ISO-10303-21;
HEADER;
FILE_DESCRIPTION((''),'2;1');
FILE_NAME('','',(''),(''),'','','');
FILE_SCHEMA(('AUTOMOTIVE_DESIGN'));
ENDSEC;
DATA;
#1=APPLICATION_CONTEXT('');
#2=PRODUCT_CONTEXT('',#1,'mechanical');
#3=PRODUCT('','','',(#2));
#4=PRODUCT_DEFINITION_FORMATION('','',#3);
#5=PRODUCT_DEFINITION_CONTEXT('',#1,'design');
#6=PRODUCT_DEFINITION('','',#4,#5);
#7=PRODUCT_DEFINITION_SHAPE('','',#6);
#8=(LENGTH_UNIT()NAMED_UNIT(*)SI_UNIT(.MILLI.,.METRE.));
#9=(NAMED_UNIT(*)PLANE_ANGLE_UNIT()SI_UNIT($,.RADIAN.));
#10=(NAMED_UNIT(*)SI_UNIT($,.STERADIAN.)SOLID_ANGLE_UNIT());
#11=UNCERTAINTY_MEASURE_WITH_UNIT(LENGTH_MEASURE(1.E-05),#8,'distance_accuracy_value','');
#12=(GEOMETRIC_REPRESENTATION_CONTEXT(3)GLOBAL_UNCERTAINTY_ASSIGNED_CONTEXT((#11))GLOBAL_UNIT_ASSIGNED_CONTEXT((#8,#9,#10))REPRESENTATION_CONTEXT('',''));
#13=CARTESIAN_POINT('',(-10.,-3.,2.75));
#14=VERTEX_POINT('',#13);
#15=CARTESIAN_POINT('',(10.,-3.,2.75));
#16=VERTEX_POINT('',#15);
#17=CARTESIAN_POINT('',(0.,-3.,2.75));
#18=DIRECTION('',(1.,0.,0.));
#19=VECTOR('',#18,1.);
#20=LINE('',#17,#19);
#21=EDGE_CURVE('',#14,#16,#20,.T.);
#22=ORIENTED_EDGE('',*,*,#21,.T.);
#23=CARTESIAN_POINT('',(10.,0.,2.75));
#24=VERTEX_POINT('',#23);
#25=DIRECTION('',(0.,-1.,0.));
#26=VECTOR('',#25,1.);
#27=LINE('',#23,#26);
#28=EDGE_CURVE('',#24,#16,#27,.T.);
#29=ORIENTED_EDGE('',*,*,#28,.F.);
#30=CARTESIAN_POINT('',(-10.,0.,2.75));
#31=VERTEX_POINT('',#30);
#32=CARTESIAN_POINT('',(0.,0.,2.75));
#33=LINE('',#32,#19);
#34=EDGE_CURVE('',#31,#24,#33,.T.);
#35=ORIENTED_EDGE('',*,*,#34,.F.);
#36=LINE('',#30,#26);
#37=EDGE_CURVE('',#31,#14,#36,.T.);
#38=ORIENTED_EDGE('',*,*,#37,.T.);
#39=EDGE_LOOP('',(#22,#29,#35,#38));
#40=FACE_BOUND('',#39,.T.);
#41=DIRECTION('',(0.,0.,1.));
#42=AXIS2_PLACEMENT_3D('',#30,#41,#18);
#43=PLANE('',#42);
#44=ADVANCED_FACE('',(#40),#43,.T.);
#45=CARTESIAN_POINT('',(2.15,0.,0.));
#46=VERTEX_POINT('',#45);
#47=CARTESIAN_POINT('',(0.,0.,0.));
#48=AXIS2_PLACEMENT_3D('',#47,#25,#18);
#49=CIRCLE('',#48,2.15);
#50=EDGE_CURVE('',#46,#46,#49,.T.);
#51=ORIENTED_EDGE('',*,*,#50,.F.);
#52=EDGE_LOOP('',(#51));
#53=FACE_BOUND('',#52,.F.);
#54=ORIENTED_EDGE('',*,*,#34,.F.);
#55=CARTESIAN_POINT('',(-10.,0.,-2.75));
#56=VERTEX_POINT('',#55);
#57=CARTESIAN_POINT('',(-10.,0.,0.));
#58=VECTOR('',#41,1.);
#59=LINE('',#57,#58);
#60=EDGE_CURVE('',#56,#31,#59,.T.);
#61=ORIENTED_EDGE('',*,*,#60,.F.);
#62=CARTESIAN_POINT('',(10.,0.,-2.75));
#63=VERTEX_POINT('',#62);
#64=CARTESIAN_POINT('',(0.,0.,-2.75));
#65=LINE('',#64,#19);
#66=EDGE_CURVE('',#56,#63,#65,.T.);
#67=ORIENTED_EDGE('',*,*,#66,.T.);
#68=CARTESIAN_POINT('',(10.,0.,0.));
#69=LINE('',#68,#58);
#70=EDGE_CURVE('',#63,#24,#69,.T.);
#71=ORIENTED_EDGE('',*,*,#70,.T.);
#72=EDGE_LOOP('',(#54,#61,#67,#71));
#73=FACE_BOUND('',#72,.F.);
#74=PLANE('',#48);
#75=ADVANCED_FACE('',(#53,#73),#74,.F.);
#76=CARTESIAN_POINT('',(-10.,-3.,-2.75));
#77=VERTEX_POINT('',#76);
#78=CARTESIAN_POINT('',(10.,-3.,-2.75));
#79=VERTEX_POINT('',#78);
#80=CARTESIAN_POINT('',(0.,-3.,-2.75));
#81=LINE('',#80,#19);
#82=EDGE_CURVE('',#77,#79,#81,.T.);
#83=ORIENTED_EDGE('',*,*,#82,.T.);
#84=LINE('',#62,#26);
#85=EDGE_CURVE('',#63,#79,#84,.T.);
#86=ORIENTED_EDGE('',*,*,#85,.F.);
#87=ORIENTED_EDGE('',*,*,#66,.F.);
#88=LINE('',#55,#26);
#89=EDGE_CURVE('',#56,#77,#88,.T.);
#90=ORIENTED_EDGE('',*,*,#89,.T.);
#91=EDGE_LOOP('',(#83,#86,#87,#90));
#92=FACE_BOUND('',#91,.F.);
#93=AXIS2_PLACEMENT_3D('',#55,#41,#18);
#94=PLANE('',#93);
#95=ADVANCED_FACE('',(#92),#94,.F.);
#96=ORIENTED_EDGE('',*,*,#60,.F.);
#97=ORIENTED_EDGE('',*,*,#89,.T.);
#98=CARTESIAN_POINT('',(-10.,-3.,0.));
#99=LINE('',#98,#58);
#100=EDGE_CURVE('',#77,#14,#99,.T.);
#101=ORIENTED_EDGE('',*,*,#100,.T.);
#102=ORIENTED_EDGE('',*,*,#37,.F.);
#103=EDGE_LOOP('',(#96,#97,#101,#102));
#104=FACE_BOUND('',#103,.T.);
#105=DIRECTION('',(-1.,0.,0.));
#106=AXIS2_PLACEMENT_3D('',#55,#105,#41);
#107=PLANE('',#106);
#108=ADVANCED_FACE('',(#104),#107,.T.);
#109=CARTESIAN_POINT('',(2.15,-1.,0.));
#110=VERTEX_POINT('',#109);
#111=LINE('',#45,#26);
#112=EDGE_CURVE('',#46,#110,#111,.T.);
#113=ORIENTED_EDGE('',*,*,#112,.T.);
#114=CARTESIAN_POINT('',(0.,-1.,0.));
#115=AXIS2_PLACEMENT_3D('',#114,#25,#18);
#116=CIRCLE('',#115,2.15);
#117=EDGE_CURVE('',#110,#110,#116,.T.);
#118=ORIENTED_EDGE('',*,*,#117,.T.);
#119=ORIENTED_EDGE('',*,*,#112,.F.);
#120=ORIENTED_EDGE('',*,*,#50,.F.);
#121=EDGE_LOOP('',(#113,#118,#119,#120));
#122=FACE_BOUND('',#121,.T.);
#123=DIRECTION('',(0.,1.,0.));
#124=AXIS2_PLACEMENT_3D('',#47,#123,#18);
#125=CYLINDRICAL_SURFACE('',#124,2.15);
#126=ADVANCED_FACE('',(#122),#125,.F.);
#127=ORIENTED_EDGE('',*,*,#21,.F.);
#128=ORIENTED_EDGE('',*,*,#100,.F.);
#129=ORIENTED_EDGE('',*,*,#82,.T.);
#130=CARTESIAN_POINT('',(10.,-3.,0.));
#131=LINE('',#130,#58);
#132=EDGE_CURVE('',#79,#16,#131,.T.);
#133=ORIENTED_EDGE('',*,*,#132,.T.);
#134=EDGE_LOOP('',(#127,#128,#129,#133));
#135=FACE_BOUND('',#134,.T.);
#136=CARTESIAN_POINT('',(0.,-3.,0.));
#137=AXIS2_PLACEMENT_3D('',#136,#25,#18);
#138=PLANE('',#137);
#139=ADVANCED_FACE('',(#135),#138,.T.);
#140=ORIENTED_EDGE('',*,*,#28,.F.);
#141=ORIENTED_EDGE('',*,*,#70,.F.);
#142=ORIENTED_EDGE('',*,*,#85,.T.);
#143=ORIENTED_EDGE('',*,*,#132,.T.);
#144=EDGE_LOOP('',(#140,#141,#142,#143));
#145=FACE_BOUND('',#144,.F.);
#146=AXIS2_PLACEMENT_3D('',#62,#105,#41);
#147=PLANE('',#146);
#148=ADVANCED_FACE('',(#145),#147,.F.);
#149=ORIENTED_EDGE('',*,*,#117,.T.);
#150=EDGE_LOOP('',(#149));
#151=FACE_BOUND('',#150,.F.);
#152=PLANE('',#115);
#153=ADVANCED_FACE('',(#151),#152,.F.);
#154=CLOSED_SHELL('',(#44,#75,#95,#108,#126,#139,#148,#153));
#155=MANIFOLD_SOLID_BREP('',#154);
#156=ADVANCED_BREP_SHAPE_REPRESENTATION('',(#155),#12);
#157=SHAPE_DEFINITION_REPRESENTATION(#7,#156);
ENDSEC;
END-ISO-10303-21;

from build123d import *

# Parameters (mm, degrees)
F0_W     = 20
F0_H     = 5.5
F0_R     = 2.15
F1_DEPTH = 3
F2_DEPTH = 1


with BuildPart() as f1:
    # F0 (on Front) → F1 (new body)
    with BuildSketch(Plane.XZ):
        Rectangle(F0_W, F0_H)
        Circle(F0_R, mode=Mode.SUBTRACT)
        Circle(F0_R)
    extrude(amount=F1_DEPTH)

    # F0 (on Front) → F2 (cut)
    with BuildSketch(Plane.XZ):
        Circle(F0_R)
    extrude(amount=F2_DEPTH, mode=Mode.SUBTRACT)


solid = f1.part
